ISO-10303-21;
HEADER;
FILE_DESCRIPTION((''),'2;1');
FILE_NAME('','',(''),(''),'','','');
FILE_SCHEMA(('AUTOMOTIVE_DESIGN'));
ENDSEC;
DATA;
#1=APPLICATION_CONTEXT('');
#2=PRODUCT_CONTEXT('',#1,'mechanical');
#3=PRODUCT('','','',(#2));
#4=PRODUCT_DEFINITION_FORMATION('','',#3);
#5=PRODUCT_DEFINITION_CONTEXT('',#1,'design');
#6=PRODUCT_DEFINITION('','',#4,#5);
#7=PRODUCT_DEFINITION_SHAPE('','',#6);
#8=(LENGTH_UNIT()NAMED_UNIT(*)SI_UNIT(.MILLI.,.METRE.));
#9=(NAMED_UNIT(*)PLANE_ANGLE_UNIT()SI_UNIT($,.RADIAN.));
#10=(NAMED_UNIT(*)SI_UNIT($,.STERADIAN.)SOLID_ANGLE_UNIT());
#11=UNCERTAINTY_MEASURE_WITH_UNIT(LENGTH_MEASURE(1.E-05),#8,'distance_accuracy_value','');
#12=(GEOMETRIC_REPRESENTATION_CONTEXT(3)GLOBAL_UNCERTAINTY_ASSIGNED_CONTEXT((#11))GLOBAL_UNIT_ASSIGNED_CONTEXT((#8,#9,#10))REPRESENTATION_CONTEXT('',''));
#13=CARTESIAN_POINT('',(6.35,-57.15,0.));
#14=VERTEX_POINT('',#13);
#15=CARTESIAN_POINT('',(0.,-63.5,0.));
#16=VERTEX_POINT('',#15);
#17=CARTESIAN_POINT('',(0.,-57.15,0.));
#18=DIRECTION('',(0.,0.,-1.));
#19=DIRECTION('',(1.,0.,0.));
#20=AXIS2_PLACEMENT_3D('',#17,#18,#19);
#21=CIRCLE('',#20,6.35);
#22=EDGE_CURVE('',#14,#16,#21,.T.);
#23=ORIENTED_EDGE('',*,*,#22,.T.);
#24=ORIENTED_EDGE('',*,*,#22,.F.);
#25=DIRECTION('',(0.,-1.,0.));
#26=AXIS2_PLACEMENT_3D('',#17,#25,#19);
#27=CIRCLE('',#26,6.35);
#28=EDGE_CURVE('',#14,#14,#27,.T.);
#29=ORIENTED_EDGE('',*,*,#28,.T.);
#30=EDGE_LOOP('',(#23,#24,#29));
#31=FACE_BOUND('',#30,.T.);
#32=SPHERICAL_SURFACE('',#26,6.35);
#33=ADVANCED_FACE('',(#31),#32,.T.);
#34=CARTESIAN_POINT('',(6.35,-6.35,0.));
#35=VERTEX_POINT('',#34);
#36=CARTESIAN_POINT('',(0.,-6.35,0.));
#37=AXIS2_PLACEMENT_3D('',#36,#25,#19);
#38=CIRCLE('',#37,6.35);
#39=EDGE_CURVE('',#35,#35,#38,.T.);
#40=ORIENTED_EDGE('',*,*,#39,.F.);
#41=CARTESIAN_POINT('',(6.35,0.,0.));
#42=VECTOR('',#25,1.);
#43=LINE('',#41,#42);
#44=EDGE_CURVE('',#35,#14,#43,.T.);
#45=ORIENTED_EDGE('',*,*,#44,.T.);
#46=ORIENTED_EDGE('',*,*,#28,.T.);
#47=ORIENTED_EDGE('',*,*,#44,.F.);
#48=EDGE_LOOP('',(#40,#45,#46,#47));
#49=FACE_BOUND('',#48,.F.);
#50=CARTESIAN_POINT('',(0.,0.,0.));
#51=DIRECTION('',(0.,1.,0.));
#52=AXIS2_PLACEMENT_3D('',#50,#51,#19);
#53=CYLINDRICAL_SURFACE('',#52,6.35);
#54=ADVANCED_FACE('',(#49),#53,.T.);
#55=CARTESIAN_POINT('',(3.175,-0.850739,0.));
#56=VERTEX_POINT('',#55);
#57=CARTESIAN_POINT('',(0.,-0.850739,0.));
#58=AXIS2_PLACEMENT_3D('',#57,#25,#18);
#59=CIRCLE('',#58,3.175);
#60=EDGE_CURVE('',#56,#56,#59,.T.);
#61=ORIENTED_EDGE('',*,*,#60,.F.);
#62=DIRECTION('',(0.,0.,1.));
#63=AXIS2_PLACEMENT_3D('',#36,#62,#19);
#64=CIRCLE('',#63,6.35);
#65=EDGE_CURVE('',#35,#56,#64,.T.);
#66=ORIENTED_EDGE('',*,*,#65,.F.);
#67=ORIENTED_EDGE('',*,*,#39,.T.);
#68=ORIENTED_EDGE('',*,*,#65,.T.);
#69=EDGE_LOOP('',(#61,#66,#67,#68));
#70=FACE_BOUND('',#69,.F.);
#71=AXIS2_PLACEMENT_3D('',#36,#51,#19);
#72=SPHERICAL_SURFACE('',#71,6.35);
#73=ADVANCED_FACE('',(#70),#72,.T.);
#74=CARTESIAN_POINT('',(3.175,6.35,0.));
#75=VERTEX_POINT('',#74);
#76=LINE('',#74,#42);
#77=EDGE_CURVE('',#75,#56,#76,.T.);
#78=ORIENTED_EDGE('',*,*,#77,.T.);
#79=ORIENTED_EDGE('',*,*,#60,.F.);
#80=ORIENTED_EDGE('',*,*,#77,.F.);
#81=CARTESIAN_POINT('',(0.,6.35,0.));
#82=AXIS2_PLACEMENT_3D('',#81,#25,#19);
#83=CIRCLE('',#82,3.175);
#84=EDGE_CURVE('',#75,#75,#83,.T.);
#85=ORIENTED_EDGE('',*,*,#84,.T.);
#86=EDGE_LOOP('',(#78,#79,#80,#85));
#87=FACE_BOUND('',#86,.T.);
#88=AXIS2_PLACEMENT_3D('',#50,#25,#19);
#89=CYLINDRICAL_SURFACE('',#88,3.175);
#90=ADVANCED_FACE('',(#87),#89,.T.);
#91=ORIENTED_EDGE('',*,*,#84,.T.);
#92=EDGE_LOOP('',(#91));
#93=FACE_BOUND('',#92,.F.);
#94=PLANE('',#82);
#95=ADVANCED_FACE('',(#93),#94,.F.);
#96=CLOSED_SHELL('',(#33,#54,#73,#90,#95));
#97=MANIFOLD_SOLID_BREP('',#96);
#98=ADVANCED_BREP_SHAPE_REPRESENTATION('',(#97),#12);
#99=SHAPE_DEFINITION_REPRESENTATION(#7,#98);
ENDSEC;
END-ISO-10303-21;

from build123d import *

# Parameters (mm, degrees)
F0_R     = 6.35
F1_DEPTH = 63.5
F2_R     = 6.35
F3_R     = 3.175
F4_DEPTH = 6.35


with BuildPart() as f1:
    # F0 (on Front) → F1 (new body)
    with BuildSketch(Plane.XZ):
        Circle(F0_R)
    extrude(amount=F1_DEPTH)

    # F2
    f2_edges = [f1.edges().sort_by_distance(p)[0] for p in [
        (-6.35, -63.5, 0),
        (-6.35, 0, 0),
    ]]
    fillet(f2_edges, radius=F2_R)

    # F3 (on Front) → F4 (join, symmetric)
    with BuildSketch(Plane.XZ):
        Circle(F3_R)
    extrude(amount=F4_DEPTH, both=True)


solid = f1.part
